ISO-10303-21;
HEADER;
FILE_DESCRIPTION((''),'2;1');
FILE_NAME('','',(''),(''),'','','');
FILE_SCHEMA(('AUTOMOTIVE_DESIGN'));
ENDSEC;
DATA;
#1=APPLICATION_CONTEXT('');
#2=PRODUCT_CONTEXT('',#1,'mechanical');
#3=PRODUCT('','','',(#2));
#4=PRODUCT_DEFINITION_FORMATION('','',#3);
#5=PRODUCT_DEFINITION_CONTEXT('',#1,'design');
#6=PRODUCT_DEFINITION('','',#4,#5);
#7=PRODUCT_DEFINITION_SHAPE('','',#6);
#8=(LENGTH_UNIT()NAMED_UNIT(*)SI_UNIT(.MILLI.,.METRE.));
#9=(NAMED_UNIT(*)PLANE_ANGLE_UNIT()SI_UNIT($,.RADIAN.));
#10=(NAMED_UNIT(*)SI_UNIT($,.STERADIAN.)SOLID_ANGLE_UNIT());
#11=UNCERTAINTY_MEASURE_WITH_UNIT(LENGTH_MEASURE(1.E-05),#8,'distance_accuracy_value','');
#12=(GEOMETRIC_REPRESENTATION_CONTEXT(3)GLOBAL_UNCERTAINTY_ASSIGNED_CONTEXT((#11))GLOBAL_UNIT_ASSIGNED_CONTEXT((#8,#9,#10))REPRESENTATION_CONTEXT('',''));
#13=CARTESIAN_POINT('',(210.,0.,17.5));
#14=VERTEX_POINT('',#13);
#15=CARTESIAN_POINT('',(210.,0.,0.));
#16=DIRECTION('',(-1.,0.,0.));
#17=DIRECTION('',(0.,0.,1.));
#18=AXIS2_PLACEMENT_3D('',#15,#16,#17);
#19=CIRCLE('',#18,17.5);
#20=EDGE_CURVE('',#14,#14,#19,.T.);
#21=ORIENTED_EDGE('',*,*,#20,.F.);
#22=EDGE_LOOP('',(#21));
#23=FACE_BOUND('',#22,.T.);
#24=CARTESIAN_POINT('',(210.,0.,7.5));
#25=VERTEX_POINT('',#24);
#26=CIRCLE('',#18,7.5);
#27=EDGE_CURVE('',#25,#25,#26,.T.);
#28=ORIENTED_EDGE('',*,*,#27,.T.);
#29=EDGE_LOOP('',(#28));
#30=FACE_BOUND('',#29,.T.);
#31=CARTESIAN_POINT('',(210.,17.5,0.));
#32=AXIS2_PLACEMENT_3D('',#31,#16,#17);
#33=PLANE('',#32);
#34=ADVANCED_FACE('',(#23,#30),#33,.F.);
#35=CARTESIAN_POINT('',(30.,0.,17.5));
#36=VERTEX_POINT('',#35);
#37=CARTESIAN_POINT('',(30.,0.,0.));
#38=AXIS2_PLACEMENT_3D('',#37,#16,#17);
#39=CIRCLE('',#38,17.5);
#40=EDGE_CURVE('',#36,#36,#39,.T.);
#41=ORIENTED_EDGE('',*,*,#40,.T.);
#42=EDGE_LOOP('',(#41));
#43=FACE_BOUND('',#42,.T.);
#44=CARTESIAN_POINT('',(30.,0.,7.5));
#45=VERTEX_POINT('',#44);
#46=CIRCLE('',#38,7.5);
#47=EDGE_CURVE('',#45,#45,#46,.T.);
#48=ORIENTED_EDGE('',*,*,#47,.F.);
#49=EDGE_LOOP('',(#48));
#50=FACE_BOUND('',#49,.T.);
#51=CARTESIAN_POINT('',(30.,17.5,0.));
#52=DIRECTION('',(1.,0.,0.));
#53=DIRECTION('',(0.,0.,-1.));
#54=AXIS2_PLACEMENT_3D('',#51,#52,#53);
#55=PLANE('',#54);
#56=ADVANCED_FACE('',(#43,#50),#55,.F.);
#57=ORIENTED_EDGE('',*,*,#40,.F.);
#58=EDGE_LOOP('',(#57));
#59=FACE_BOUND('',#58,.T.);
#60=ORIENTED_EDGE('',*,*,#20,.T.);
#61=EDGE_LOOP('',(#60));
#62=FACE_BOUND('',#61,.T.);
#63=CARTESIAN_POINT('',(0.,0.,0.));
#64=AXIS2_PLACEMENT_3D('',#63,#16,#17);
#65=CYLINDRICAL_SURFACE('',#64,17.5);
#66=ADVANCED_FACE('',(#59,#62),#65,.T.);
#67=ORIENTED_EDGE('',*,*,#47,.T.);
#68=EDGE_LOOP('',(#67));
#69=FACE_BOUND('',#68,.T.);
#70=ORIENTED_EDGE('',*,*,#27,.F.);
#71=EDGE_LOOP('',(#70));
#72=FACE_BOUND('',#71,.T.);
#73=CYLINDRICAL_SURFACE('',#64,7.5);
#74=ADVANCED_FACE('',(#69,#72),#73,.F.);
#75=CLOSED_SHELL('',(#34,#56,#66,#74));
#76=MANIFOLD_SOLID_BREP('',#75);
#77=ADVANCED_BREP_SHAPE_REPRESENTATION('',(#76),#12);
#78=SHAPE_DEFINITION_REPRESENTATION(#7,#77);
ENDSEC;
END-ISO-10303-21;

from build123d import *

# Parameters (mm, degrees)
SKETCH1_W = 180
SKETCH1_H = 10


with BuildPart() as part:
    # Sketch1 → Revolve1 (revolve)
    with BuildSketch(Plane.XY, mode=Mode.PRIVATE) as revolve1_sk:
        with Locations((120, 12.5)):
            Rectangle(SKETCH1_W, SKETCH1_H)
    revolve(revolve1_sk.sketch.rotate(Axis((0, 0, 0), (1, 0, 0)), 90), axis=Axis((0, 0, 0), (1, 0, 0)))


solid = part.part
